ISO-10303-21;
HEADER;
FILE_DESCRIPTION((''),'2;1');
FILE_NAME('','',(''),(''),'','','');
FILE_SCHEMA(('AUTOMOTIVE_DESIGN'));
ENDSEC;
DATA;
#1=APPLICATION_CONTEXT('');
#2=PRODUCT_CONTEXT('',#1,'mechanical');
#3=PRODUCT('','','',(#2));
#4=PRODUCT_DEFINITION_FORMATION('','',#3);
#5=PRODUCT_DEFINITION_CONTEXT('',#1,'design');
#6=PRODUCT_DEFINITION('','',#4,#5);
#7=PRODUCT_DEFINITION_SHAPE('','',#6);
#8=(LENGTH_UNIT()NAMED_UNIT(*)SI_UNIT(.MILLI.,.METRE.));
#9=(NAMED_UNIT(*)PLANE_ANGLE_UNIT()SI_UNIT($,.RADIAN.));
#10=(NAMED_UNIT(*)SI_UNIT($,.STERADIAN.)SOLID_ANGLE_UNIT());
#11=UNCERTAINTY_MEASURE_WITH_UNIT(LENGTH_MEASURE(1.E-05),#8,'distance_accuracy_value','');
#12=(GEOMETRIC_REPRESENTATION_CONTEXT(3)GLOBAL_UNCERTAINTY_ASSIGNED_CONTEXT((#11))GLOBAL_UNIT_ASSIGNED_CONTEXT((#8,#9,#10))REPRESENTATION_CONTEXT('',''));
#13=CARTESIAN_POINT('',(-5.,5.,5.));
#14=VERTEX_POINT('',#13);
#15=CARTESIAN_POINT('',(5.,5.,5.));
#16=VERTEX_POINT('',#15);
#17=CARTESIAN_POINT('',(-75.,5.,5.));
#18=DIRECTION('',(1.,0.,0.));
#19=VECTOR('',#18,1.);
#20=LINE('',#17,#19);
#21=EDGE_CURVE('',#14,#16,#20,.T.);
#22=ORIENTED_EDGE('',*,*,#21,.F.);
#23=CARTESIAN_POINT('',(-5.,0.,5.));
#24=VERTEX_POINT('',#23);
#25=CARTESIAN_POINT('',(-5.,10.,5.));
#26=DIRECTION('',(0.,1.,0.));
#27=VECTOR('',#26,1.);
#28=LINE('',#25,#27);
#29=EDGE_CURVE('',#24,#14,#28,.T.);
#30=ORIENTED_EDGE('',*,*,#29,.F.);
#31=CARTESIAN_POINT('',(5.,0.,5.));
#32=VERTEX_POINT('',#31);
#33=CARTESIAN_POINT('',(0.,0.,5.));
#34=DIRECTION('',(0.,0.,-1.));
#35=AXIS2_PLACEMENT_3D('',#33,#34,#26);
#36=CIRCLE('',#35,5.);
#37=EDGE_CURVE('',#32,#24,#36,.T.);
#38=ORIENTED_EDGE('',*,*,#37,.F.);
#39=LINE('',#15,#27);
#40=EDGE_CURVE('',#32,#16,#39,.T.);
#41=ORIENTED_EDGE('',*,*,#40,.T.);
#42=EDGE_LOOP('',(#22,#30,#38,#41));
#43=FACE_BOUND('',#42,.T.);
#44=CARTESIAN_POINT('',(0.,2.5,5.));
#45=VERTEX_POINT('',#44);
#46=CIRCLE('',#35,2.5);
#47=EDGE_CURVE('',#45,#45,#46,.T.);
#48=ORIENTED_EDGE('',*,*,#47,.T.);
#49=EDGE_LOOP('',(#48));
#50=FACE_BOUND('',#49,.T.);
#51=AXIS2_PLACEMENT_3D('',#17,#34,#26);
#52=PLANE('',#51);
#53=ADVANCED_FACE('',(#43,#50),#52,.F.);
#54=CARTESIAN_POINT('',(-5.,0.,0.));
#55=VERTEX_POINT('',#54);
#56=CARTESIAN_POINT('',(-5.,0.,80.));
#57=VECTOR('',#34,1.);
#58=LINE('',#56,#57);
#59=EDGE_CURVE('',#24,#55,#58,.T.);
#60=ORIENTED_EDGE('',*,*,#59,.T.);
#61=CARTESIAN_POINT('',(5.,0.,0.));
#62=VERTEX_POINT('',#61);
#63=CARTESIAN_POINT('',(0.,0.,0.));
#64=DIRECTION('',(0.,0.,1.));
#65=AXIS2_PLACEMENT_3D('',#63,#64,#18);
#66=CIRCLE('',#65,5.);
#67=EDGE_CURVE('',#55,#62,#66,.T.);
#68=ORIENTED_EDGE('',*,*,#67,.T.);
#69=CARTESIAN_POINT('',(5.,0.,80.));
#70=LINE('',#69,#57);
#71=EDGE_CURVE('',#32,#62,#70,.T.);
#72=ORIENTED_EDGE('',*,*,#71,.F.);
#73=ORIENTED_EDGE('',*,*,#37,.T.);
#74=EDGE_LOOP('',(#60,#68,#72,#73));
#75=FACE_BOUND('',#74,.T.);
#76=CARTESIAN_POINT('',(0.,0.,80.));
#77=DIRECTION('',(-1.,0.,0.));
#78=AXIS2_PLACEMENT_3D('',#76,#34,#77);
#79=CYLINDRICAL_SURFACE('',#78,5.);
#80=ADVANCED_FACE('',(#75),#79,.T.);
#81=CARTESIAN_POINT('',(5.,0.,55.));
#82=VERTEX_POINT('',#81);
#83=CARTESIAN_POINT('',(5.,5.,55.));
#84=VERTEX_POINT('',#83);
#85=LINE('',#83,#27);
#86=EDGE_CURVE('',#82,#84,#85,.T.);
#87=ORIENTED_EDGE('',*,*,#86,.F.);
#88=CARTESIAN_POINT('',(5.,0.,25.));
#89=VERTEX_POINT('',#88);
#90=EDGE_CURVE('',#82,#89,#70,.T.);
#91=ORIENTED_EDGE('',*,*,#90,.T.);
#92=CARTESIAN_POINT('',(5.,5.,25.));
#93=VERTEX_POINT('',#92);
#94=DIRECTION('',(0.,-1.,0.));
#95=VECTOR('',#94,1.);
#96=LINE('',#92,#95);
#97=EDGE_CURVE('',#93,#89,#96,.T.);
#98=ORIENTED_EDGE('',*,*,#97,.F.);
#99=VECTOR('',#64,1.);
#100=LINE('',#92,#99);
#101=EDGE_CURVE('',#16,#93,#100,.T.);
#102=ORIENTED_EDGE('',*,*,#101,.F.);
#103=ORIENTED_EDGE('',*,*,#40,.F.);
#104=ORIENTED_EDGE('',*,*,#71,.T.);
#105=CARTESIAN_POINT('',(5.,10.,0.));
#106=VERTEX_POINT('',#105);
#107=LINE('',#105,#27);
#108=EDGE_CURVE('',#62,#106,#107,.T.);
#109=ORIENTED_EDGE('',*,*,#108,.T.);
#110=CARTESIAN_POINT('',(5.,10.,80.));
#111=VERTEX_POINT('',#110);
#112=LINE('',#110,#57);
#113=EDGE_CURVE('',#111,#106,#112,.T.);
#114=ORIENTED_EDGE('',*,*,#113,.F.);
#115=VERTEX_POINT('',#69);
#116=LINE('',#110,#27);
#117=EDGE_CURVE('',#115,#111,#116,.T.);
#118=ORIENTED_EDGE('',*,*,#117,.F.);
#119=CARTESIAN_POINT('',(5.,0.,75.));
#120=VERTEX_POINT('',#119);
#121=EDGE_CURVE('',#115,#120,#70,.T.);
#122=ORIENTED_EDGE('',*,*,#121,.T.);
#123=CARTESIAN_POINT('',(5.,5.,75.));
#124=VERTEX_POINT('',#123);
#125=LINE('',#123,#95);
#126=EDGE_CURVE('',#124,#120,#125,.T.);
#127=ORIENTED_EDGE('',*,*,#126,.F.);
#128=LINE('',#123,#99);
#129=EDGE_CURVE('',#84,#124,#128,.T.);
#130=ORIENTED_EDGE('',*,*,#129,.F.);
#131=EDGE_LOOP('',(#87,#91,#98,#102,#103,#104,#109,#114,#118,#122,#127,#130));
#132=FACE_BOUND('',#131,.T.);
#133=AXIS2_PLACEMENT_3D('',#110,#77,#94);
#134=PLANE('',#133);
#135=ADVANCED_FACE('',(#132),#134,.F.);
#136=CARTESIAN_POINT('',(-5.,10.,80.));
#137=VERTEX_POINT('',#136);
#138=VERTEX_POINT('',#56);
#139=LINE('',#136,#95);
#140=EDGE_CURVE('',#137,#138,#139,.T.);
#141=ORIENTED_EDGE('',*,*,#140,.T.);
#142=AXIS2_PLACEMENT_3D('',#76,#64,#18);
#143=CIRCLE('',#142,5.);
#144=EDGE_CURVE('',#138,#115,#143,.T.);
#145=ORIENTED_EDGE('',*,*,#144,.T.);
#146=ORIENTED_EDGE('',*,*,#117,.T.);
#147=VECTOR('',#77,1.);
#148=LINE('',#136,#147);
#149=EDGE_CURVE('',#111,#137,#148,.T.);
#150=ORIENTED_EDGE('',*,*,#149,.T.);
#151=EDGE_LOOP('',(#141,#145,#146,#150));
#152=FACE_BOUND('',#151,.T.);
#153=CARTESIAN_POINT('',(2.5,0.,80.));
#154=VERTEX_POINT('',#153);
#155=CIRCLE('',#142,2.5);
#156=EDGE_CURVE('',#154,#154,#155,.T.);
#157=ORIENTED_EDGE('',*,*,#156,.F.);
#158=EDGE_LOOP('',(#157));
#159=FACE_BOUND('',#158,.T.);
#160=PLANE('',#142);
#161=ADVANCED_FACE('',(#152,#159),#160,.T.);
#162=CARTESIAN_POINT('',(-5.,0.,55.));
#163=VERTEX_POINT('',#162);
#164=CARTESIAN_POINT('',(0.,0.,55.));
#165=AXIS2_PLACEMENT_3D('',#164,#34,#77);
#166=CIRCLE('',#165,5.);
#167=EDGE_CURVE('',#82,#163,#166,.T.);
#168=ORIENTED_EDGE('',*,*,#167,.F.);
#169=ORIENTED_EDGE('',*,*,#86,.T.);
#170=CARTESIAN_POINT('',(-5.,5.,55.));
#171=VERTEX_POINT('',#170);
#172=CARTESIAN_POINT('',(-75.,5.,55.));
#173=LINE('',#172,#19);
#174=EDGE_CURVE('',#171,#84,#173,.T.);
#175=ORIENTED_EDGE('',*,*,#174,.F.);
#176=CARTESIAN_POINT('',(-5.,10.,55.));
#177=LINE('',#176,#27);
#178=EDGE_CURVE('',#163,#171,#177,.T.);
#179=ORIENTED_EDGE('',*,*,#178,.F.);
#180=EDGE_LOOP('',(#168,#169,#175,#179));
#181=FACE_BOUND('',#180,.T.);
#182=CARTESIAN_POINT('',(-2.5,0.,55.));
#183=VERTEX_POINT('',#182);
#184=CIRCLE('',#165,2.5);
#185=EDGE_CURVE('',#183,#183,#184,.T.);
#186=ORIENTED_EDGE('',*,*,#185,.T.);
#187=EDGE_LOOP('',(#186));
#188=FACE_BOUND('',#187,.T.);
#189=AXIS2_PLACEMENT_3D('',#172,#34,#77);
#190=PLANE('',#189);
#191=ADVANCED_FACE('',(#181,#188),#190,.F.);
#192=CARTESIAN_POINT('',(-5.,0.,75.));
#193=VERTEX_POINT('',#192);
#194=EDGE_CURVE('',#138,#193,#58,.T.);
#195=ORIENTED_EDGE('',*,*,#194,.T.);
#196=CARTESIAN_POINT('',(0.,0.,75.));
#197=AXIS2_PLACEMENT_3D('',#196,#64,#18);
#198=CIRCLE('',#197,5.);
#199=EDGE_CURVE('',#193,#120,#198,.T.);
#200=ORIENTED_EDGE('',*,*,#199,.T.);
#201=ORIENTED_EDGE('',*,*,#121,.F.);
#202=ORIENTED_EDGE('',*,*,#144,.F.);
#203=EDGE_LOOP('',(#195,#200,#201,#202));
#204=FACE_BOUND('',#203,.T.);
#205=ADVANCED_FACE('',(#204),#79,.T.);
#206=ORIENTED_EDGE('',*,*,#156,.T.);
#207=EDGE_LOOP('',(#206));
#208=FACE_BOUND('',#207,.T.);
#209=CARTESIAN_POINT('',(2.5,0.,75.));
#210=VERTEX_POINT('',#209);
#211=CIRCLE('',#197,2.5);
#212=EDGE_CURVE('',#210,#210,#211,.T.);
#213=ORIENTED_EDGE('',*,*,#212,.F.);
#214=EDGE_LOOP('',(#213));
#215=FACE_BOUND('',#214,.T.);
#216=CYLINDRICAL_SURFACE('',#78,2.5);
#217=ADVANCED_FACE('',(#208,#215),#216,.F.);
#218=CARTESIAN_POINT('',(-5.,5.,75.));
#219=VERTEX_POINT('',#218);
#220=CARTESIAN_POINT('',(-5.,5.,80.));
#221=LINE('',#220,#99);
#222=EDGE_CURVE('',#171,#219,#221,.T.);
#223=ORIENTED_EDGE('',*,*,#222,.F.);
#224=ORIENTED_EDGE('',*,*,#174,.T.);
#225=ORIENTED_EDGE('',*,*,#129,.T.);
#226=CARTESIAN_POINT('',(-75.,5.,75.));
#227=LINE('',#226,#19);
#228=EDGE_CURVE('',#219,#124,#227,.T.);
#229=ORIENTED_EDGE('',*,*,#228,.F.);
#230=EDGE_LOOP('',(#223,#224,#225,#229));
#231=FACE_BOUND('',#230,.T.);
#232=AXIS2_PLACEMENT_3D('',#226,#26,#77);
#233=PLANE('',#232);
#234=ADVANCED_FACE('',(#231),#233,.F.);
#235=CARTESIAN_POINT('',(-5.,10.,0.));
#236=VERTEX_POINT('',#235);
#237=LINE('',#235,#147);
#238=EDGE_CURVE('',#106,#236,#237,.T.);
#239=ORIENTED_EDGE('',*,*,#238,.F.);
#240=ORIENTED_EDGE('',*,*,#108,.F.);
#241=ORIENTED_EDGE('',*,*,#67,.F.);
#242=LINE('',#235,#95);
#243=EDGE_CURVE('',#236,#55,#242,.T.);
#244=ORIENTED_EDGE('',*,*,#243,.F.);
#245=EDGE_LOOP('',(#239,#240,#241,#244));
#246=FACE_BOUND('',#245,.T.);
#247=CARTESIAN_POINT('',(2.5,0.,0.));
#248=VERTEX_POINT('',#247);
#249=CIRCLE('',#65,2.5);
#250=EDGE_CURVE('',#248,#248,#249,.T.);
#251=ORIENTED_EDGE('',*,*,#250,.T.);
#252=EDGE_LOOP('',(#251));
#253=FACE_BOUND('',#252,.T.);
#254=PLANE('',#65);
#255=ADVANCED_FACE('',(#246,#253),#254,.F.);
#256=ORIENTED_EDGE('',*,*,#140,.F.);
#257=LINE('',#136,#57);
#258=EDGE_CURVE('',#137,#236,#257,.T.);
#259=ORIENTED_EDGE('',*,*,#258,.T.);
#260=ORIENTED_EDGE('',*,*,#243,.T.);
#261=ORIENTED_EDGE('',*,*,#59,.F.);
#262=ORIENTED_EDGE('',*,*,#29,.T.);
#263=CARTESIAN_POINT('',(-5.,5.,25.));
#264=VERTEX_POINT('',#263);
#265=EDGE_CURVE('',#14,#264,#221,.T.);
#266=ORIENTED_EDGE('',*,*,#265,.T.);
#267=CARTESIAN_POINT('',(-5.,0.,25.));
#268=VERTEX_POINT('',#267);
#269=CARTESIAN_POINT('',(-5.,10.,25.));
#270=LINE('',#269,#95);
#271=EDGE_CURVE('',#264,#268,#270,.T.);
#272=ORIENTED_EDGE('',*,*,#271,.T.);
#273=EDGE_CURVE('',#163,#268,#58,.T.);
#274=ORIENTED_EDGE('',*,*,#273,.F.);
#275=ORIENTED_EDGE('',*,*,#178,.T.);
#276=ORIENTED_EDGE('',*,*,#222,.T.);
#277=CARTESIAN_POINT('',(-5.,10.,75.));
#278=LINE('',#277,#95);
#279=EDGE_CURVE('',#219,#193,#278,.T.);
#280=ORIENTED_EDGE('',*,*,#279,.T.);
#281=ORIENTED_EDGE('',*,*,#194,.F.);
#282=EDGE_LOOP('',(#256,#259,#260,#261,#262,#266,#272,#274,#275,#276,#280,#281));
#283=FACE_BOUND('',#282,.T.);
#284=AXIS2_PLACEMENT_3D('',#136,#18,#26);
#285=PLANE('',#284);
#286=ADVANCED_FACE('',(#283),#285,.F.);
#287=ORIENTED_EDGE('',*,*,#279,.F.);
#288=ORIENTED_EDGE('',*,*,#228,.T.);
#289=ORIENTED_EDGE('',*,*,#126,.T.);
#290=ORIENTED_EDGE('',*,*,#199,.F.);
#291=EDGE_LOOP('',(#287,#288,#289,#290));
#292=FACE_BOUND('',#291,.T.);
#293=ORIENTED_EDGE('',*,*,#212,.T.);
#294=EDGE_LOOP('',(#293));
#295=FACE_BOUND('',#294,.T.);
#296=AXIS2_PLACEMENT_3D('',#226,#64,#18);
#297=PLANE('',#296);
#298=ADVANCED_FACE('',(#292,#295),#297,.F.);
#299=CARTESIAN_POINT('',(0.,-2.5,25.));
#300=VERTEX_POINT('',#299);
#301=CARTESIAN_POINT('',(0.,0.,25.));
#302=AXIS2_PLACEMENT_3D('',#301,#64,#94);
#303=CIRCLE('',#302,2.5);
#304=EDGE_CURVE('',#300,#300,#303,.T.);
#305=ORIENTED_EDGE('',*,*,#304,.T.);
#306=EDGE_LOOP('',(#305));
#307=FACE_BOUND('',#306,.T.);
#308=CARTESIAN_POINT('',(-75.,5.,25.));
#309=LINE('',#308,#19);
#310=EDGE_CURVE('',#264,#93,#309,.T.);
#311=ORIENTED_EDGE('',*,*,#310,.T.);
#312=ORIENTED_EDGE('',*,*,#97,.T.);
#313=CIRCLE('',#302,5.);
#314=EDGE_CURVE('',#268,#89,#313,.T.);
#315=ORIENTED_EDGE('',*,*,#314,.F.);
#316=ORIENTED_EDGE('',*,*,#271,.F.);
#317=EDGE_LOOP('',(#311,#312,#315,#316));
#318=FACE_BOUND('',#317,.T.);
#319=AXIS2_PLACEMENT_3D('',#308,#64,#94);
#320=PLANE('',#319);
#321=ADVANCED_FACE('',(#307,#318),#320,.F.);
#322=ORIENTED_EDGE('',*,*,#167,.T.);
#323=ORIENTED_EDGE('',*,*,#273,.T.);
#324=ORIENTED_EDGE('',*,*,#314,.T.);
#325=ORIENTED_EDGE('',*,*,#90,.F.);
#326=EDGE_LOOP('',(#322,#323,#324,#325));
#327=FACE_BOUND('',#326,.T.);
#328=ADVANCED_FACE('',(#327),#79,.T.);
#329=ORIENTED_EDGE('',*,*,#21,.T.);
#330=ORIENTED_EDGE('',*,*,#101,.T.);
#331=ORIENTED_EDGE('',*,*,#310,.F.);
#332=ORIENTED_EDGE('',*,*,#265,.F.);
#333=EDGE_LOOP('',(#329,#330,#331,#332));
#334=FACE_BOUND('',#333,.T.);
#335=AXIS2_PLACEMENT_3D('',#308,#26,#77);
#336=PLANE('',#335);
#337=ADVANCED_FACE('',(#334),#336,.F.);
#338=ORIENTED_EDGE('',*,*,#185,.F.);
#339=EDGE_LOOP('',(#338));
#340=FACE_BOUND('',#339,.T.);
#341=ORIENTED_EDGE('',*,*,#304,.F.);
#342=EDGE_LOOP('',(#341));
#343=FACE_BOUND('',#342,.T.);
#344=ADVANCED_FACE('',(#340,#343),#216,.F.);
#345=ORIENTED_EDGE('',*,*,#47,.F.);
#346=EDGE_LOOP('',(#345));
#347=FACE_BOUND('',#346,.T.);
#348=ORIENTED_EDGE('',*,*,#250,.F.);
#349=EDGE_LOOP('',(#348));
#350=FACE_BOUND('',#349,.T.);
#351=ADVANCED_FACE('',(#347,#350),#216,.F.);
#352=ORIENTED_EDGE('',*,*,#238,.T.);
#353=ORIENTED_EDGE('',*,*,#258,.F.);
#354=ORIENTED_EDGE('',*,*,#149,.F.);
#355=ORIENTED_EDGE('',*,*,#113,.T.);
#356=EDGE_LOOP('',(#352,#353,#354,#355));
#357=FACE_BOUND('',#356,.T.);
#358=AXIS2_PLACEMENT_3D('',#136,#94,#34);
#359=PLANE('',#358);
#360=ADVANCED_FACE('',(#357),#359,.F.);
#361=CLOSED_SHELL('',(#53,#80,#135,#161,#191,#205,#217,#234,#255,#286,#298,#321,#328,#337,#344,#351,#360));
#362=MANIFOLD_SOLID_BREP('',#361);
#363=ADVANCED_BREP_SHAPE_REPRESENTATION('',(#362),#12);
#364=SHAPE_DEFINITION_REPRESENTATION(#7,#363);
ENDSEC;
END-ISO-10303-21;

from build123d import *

# Parameters (mm, degrees)
SKETCH_1_R          = 2.5
EXTRUDE_1_DEPTH     = 80
SKETCH_2_W          = 20
SKETCH_2_H          = 15
CUT_EXTRUDE_1_DEPTH = 80


with BuildPart() as part:
    # 草图1 → 凸台-拉伸1 (new body)
    with BuildSketch(Plane.XY):
        with BuildLine():
            Line((-5, 10), (5, 10))
            Line((5, 10), (5, 0))
            ThreePointArc((5, 0), (0, -5), (-5, 0))
            Line((-5, 0), (-5, 10))
        make_face()
        Circle(SKETCH_1_R, mode=Mode.SUBTRACT)
    extrude(amount=EXTRUDE_1_DEPTH)

    # 草图2 → 切除-拉伸1 (cut)
    with BuildSketch(Plane(origin=(5, 0, 0), x_dir=(0, 0, -1), z_dir=(1, 0, 0))):
        with Locations((-15, -2.5)):
            Rectangle(SKETCH_2_W, SKETCH_2_H)
        with Locations((-65, -2.5)):
            Rectangle(SKETCH_2_W, SKETCH_2_H)
    extrude(amount=-CUT_EXTRUDE_1_DEPTH, mode=Mode.SUBTRACT)


solid = part.part
